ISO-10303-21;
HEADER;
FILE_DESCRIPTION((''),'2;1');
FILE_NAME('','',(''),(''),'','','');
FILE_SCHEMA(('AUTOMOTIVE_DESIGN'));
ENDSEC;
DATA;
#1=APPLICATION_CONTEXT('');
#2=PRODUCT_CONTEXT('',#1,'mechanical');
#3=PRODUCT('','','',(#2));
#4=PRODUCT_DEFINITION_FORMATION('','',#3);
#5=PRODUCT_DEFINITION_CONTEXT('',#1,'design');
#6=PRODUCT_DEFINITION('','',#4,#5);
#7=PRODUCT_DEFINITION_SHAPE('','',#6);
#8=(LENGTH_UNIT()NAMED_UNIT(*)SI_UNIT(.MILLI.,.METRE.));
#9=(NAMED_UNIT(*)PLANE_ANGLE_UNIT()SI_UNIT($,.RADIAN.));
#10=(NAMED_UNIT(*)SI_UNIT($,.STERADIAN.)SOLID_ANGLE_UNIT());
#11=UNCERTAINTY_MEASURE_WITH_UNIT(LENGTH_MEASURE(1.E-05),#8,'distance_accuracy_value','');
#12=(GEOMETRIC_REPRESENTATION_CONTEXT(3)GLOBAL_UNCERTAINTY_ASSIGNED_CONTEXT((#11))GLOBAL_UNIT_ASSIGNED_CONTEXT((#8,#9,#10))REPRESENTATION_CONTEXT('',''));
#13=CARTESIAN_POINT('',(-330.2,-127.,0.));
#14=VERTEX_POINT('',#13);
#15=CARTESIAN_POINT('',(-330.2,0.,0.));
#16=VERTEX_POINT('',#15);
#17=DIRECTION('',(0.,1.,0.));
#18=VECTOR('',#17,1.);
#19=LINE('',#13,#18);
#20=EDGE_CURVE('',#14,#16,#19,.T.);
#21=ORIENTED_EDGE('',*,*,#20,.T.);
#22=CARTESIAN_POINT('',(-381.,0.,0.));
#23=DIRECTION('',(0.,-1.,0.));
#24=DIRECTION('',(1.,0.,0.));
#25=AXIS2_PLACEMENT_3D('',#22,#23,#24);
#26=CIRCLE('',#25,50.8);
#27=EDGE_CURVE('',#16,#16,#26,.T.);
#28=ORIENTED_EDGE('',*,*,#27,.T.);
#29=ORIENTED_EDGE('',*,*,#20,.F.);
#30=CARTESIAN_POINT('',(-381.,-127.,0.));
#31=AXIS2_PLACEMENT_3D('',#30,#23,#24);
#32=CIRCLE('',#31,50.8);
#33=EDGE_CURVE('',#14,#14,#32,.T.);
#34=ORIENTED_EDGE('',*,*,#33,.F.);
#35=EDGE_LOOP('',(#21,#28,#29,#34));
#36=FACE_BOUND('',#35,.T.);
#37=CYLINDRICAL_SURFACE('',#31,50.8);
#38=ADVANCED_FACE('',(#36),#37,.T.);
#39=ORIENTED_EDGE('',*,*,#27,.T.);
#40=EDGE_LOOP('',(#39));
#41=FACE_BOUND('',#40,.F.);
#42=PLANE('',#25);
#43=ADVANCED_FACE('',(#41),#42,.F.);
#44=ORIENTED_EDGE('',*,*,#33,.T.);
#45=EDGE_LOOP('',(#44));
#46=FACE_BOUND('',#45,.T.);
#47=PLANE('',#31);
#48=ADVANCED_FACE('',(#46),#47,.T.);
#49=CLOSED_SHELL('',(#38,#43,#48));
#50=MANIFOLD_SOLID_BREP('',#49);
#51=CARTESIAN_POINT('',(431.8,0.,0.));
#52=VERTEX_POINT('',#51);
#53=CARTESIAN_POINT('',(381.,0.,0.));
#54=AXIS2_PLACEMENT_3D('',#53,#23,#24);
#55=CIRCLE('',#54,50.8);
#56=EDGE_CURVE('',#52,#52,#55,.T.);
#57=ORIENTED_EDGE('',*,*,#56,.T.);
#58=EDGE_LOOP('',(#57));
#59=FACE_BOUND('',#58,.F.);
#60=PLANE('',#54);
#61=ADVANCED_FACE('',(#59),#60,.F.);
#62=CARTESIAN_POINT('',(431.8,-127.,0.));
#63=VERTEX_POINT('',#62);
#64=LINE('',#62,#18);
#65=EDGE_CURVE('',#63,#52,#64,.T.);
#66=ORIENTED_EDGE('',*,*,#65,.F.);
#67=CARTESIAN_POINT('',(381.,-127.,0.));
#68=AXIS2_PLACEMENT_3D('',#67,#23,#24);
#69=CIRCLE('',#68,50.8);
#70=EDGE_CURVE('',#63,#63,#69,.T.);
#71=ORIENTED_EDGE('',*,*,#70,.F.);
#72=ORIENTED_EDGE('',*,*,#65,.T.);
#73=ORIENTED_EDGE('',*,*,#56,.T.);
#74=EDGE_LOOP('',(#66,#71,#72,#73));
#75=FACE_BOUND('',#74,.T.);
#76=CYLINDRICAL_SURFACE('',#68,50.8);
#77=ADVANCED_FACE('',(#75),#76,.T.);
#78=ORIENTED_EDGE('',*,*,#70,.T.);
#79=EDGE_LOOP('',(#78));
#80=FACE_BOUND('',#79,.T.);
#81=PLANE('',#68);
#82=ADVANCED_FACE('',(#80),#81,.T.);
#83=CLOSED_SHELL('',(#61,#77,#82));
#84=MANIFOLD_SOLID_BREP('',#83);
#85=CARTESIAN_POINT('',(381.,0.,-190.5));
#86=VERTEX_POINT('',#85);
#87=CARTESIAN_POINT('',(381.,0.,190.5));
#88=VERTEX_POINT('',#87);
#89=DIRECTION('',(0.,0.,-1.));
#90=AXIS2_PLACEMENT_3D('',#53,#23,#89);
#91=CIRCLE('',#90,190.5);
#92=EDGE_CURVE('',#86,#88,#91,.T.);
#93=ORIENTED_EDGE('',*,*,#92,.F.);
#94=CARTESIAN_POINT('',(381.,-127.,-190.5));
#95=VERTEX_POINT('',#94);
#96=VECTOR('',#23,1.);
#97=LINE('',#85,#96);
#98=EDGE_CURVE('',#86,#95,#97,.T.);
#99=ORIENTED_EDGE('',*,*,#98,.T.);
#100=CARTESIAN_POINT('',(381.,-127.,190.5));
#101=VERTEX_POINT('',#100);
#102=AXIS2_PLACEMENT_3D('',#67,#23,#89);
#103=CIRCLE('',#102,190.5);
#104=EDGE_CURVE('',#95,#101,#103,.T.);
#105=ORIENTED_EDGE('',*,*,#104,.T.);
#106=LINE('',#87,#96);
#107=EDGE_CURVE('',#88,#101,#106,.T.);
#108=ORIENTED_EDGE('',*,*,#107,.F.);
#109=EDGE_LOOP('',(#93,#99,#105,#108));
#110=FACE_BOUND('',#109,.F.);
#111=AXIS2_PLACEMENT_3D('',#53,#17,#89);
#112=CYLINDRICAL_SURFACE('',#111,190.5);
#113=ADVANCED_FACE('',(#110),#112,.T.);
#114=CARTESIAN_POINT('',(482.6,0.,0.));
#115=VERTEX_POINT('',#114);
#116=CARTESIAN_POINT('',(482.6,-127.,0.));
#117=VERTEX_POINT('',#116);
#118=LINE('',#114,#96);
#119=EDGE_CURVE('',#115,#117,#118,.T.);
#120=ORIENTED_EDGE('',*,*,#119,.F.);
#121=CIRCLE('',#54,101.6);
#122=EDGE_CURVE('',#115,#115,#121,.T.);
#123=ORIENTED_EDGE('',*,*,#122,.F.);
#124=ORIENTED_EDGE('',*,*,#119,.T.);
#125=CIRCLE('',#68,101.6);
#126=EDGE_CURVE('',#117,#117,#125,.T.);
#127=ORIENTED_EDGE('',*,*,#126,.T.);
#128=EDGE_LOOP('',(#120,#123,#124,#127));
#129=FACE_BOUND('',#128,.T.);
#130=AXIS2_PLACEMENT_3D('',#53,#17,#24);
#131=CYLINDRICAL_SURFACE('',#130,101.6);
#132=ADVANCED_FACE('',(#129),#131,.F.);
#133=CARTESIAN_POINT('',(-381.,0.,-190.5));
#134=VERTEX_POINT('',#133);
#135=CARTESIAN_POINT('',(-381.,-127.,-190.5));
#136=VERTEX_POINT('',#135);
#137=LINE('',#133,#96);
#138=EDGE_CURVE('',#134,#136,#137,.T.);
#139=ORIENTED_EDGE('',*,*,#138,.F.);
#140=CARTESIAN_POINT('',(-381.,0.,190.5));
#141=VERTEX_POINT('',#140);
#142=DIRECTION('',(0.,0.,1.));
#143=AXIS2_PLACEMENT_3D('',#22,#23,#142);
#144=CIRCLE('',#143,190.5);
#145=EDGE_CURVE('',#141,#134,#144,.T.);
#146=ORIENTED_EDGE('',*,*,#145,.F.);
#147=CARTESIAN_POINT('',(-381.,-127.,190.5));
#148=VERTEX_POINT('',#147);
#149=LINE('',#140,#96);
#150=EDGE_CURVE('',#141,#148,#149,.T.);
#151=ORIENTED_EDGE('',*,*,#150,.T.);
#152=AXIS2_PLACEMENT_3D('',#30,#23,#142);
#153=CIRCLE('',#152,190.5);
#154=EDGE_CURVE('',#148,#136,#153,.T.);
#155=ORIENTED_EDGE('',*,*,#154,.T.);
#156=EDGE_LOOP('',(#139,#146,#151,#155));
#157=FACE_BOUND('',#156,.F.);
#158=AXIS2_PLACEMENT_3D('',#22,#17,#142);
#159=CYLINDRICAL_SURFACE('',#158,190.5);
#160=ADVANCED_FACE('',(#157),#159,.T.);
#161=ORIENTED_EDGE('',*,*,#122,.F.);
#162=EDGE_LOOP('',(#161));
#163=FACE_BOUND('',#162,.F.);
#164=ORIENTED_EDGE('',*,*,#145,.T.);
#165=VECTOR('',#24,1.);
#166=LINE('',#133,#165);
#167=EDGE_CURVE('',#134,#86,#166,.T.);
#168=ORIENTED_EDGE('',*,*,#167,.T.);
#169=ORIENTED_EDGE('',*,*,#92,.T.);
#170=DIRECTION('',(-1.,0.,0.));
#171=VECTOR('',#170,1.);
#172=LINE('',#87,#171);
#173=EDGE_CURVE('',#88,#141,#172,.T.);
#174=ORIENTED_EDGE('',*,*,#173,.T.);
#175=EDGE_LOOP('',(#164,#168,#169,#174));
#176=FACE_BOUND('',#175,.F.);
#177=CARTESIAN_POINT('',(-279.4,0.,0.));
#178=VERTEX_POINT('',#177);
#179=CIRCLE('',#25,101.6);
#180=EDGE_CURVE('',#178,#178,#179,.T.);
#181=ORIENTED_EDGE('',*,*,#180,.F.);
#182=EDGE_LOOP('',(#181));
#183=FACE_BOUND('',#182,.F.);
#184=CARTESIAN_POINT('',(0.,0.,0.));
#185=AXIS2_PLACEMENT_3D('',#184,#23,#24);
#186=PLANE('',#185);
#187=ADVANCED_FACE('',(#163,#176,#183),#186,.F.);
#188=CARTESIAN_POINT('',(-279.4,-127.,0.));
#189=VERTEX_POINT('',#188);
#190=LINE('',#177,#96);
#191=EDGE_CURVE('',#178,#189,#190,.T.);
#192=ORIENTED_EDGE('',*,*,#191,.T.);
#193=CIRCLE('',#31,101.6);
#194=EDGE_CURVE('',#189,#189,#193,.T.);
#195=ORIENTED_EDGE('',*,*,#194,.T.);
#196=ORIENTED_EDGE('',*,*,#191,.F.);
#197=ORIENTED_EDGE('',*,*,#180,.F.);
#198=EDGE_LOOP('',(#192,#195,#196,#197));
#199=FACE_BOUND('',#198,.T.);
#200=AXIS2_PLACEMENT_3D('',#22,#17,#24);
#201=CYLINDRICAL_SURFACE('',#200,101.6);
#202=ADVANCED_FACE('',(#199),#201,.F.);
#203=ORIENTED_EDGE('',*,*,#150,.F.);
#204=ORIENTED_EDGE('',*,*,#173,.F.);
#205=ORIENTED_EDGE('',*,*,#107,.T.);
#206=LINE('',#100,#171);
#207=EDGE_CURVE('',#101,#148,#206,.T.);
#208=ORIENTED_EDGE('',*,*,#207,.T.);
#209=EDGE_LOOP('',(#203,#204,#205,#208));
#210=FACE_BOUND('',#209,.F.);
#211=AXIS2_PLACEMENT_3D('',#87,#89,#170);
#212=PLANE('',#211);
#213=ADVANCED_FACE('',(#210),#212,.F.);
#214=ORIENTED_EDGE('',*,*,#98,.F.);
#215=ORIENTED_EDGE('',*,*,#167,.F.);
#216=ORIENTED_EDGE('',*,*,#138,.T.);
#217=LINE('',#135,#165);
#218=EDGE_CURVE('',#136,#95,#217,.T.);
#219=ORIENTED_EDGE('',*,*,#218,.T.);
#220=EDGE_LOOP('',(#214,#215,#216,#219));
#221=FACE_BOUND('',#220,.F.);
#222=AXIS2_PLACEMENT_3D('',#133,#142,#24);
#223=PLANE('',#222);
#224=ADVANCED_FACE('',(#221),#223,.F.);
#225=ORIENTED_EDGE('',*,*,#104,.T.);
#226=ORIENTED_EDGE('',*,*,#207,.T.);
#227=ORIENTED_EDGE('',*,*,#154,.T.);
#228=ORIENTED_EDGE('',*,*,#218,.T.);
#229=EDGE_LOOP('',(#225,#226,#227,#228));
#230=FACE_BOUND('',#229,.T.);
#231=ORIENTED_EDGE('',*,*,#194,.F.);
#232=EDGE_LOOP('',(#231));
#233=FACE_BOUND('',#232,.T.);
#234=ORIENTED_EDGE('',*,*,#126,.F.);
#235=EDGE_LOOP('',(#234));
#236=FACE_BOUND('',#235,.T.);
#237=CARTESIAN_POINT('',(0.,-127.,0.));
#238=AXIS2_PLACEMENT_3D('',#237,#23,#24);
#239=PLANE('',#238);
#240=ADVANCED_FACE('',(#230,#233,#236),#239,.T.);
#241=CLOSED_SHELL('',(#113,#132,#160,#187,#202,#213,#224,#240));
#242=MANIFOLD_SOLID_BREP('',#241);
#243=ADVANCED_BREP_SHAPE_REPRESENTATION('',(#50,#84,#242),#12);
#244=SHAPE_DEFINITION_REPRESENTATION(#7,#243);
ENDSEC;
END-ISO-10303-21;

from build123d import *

# Parameters (mm, degrees)
F0_R     = 101.6
F1_DEPTH = 127
F2_R     = 50.8
F3_DEPTH = 127


with BuildPart() as f1:
    # F0 (on Front) → F1 (new body)
    with BuildSketch(Plane.XZ):
        with BuildLine():
            Line((381, 190.5), (-381, 190.5))
            ThreePointArc((-381, 190.5), (-571.5, 0), (-381, -190.5))
            Line((-381, -190.5), (381, -190.5))
            ThreePointArc((381, -190.5), (571.5, 0), (381, 190.5))
        make_face()
        with Locations((-381, 0)):
            Circle(F0_R, mode=Mode.SUBTRACT)
        with Locations((381, 0)):
            Circle(F0_R, mode=Mode.SUBTRACT)
    extrude(amount=F1_DEPTH)


with BuildPart() as f3:
    # F2 (on face) → F3 (new body)
    with BuildSketch(Plane.XZ.offset(127)):
        with Locations((-381, 0)):
            Circle(F2_R)
        with Locations((381, 0)):
            Circle(F2_R)
    extrude(amount=-F3_DEPTH)


solid = Compound([f1.part, f3.part])
